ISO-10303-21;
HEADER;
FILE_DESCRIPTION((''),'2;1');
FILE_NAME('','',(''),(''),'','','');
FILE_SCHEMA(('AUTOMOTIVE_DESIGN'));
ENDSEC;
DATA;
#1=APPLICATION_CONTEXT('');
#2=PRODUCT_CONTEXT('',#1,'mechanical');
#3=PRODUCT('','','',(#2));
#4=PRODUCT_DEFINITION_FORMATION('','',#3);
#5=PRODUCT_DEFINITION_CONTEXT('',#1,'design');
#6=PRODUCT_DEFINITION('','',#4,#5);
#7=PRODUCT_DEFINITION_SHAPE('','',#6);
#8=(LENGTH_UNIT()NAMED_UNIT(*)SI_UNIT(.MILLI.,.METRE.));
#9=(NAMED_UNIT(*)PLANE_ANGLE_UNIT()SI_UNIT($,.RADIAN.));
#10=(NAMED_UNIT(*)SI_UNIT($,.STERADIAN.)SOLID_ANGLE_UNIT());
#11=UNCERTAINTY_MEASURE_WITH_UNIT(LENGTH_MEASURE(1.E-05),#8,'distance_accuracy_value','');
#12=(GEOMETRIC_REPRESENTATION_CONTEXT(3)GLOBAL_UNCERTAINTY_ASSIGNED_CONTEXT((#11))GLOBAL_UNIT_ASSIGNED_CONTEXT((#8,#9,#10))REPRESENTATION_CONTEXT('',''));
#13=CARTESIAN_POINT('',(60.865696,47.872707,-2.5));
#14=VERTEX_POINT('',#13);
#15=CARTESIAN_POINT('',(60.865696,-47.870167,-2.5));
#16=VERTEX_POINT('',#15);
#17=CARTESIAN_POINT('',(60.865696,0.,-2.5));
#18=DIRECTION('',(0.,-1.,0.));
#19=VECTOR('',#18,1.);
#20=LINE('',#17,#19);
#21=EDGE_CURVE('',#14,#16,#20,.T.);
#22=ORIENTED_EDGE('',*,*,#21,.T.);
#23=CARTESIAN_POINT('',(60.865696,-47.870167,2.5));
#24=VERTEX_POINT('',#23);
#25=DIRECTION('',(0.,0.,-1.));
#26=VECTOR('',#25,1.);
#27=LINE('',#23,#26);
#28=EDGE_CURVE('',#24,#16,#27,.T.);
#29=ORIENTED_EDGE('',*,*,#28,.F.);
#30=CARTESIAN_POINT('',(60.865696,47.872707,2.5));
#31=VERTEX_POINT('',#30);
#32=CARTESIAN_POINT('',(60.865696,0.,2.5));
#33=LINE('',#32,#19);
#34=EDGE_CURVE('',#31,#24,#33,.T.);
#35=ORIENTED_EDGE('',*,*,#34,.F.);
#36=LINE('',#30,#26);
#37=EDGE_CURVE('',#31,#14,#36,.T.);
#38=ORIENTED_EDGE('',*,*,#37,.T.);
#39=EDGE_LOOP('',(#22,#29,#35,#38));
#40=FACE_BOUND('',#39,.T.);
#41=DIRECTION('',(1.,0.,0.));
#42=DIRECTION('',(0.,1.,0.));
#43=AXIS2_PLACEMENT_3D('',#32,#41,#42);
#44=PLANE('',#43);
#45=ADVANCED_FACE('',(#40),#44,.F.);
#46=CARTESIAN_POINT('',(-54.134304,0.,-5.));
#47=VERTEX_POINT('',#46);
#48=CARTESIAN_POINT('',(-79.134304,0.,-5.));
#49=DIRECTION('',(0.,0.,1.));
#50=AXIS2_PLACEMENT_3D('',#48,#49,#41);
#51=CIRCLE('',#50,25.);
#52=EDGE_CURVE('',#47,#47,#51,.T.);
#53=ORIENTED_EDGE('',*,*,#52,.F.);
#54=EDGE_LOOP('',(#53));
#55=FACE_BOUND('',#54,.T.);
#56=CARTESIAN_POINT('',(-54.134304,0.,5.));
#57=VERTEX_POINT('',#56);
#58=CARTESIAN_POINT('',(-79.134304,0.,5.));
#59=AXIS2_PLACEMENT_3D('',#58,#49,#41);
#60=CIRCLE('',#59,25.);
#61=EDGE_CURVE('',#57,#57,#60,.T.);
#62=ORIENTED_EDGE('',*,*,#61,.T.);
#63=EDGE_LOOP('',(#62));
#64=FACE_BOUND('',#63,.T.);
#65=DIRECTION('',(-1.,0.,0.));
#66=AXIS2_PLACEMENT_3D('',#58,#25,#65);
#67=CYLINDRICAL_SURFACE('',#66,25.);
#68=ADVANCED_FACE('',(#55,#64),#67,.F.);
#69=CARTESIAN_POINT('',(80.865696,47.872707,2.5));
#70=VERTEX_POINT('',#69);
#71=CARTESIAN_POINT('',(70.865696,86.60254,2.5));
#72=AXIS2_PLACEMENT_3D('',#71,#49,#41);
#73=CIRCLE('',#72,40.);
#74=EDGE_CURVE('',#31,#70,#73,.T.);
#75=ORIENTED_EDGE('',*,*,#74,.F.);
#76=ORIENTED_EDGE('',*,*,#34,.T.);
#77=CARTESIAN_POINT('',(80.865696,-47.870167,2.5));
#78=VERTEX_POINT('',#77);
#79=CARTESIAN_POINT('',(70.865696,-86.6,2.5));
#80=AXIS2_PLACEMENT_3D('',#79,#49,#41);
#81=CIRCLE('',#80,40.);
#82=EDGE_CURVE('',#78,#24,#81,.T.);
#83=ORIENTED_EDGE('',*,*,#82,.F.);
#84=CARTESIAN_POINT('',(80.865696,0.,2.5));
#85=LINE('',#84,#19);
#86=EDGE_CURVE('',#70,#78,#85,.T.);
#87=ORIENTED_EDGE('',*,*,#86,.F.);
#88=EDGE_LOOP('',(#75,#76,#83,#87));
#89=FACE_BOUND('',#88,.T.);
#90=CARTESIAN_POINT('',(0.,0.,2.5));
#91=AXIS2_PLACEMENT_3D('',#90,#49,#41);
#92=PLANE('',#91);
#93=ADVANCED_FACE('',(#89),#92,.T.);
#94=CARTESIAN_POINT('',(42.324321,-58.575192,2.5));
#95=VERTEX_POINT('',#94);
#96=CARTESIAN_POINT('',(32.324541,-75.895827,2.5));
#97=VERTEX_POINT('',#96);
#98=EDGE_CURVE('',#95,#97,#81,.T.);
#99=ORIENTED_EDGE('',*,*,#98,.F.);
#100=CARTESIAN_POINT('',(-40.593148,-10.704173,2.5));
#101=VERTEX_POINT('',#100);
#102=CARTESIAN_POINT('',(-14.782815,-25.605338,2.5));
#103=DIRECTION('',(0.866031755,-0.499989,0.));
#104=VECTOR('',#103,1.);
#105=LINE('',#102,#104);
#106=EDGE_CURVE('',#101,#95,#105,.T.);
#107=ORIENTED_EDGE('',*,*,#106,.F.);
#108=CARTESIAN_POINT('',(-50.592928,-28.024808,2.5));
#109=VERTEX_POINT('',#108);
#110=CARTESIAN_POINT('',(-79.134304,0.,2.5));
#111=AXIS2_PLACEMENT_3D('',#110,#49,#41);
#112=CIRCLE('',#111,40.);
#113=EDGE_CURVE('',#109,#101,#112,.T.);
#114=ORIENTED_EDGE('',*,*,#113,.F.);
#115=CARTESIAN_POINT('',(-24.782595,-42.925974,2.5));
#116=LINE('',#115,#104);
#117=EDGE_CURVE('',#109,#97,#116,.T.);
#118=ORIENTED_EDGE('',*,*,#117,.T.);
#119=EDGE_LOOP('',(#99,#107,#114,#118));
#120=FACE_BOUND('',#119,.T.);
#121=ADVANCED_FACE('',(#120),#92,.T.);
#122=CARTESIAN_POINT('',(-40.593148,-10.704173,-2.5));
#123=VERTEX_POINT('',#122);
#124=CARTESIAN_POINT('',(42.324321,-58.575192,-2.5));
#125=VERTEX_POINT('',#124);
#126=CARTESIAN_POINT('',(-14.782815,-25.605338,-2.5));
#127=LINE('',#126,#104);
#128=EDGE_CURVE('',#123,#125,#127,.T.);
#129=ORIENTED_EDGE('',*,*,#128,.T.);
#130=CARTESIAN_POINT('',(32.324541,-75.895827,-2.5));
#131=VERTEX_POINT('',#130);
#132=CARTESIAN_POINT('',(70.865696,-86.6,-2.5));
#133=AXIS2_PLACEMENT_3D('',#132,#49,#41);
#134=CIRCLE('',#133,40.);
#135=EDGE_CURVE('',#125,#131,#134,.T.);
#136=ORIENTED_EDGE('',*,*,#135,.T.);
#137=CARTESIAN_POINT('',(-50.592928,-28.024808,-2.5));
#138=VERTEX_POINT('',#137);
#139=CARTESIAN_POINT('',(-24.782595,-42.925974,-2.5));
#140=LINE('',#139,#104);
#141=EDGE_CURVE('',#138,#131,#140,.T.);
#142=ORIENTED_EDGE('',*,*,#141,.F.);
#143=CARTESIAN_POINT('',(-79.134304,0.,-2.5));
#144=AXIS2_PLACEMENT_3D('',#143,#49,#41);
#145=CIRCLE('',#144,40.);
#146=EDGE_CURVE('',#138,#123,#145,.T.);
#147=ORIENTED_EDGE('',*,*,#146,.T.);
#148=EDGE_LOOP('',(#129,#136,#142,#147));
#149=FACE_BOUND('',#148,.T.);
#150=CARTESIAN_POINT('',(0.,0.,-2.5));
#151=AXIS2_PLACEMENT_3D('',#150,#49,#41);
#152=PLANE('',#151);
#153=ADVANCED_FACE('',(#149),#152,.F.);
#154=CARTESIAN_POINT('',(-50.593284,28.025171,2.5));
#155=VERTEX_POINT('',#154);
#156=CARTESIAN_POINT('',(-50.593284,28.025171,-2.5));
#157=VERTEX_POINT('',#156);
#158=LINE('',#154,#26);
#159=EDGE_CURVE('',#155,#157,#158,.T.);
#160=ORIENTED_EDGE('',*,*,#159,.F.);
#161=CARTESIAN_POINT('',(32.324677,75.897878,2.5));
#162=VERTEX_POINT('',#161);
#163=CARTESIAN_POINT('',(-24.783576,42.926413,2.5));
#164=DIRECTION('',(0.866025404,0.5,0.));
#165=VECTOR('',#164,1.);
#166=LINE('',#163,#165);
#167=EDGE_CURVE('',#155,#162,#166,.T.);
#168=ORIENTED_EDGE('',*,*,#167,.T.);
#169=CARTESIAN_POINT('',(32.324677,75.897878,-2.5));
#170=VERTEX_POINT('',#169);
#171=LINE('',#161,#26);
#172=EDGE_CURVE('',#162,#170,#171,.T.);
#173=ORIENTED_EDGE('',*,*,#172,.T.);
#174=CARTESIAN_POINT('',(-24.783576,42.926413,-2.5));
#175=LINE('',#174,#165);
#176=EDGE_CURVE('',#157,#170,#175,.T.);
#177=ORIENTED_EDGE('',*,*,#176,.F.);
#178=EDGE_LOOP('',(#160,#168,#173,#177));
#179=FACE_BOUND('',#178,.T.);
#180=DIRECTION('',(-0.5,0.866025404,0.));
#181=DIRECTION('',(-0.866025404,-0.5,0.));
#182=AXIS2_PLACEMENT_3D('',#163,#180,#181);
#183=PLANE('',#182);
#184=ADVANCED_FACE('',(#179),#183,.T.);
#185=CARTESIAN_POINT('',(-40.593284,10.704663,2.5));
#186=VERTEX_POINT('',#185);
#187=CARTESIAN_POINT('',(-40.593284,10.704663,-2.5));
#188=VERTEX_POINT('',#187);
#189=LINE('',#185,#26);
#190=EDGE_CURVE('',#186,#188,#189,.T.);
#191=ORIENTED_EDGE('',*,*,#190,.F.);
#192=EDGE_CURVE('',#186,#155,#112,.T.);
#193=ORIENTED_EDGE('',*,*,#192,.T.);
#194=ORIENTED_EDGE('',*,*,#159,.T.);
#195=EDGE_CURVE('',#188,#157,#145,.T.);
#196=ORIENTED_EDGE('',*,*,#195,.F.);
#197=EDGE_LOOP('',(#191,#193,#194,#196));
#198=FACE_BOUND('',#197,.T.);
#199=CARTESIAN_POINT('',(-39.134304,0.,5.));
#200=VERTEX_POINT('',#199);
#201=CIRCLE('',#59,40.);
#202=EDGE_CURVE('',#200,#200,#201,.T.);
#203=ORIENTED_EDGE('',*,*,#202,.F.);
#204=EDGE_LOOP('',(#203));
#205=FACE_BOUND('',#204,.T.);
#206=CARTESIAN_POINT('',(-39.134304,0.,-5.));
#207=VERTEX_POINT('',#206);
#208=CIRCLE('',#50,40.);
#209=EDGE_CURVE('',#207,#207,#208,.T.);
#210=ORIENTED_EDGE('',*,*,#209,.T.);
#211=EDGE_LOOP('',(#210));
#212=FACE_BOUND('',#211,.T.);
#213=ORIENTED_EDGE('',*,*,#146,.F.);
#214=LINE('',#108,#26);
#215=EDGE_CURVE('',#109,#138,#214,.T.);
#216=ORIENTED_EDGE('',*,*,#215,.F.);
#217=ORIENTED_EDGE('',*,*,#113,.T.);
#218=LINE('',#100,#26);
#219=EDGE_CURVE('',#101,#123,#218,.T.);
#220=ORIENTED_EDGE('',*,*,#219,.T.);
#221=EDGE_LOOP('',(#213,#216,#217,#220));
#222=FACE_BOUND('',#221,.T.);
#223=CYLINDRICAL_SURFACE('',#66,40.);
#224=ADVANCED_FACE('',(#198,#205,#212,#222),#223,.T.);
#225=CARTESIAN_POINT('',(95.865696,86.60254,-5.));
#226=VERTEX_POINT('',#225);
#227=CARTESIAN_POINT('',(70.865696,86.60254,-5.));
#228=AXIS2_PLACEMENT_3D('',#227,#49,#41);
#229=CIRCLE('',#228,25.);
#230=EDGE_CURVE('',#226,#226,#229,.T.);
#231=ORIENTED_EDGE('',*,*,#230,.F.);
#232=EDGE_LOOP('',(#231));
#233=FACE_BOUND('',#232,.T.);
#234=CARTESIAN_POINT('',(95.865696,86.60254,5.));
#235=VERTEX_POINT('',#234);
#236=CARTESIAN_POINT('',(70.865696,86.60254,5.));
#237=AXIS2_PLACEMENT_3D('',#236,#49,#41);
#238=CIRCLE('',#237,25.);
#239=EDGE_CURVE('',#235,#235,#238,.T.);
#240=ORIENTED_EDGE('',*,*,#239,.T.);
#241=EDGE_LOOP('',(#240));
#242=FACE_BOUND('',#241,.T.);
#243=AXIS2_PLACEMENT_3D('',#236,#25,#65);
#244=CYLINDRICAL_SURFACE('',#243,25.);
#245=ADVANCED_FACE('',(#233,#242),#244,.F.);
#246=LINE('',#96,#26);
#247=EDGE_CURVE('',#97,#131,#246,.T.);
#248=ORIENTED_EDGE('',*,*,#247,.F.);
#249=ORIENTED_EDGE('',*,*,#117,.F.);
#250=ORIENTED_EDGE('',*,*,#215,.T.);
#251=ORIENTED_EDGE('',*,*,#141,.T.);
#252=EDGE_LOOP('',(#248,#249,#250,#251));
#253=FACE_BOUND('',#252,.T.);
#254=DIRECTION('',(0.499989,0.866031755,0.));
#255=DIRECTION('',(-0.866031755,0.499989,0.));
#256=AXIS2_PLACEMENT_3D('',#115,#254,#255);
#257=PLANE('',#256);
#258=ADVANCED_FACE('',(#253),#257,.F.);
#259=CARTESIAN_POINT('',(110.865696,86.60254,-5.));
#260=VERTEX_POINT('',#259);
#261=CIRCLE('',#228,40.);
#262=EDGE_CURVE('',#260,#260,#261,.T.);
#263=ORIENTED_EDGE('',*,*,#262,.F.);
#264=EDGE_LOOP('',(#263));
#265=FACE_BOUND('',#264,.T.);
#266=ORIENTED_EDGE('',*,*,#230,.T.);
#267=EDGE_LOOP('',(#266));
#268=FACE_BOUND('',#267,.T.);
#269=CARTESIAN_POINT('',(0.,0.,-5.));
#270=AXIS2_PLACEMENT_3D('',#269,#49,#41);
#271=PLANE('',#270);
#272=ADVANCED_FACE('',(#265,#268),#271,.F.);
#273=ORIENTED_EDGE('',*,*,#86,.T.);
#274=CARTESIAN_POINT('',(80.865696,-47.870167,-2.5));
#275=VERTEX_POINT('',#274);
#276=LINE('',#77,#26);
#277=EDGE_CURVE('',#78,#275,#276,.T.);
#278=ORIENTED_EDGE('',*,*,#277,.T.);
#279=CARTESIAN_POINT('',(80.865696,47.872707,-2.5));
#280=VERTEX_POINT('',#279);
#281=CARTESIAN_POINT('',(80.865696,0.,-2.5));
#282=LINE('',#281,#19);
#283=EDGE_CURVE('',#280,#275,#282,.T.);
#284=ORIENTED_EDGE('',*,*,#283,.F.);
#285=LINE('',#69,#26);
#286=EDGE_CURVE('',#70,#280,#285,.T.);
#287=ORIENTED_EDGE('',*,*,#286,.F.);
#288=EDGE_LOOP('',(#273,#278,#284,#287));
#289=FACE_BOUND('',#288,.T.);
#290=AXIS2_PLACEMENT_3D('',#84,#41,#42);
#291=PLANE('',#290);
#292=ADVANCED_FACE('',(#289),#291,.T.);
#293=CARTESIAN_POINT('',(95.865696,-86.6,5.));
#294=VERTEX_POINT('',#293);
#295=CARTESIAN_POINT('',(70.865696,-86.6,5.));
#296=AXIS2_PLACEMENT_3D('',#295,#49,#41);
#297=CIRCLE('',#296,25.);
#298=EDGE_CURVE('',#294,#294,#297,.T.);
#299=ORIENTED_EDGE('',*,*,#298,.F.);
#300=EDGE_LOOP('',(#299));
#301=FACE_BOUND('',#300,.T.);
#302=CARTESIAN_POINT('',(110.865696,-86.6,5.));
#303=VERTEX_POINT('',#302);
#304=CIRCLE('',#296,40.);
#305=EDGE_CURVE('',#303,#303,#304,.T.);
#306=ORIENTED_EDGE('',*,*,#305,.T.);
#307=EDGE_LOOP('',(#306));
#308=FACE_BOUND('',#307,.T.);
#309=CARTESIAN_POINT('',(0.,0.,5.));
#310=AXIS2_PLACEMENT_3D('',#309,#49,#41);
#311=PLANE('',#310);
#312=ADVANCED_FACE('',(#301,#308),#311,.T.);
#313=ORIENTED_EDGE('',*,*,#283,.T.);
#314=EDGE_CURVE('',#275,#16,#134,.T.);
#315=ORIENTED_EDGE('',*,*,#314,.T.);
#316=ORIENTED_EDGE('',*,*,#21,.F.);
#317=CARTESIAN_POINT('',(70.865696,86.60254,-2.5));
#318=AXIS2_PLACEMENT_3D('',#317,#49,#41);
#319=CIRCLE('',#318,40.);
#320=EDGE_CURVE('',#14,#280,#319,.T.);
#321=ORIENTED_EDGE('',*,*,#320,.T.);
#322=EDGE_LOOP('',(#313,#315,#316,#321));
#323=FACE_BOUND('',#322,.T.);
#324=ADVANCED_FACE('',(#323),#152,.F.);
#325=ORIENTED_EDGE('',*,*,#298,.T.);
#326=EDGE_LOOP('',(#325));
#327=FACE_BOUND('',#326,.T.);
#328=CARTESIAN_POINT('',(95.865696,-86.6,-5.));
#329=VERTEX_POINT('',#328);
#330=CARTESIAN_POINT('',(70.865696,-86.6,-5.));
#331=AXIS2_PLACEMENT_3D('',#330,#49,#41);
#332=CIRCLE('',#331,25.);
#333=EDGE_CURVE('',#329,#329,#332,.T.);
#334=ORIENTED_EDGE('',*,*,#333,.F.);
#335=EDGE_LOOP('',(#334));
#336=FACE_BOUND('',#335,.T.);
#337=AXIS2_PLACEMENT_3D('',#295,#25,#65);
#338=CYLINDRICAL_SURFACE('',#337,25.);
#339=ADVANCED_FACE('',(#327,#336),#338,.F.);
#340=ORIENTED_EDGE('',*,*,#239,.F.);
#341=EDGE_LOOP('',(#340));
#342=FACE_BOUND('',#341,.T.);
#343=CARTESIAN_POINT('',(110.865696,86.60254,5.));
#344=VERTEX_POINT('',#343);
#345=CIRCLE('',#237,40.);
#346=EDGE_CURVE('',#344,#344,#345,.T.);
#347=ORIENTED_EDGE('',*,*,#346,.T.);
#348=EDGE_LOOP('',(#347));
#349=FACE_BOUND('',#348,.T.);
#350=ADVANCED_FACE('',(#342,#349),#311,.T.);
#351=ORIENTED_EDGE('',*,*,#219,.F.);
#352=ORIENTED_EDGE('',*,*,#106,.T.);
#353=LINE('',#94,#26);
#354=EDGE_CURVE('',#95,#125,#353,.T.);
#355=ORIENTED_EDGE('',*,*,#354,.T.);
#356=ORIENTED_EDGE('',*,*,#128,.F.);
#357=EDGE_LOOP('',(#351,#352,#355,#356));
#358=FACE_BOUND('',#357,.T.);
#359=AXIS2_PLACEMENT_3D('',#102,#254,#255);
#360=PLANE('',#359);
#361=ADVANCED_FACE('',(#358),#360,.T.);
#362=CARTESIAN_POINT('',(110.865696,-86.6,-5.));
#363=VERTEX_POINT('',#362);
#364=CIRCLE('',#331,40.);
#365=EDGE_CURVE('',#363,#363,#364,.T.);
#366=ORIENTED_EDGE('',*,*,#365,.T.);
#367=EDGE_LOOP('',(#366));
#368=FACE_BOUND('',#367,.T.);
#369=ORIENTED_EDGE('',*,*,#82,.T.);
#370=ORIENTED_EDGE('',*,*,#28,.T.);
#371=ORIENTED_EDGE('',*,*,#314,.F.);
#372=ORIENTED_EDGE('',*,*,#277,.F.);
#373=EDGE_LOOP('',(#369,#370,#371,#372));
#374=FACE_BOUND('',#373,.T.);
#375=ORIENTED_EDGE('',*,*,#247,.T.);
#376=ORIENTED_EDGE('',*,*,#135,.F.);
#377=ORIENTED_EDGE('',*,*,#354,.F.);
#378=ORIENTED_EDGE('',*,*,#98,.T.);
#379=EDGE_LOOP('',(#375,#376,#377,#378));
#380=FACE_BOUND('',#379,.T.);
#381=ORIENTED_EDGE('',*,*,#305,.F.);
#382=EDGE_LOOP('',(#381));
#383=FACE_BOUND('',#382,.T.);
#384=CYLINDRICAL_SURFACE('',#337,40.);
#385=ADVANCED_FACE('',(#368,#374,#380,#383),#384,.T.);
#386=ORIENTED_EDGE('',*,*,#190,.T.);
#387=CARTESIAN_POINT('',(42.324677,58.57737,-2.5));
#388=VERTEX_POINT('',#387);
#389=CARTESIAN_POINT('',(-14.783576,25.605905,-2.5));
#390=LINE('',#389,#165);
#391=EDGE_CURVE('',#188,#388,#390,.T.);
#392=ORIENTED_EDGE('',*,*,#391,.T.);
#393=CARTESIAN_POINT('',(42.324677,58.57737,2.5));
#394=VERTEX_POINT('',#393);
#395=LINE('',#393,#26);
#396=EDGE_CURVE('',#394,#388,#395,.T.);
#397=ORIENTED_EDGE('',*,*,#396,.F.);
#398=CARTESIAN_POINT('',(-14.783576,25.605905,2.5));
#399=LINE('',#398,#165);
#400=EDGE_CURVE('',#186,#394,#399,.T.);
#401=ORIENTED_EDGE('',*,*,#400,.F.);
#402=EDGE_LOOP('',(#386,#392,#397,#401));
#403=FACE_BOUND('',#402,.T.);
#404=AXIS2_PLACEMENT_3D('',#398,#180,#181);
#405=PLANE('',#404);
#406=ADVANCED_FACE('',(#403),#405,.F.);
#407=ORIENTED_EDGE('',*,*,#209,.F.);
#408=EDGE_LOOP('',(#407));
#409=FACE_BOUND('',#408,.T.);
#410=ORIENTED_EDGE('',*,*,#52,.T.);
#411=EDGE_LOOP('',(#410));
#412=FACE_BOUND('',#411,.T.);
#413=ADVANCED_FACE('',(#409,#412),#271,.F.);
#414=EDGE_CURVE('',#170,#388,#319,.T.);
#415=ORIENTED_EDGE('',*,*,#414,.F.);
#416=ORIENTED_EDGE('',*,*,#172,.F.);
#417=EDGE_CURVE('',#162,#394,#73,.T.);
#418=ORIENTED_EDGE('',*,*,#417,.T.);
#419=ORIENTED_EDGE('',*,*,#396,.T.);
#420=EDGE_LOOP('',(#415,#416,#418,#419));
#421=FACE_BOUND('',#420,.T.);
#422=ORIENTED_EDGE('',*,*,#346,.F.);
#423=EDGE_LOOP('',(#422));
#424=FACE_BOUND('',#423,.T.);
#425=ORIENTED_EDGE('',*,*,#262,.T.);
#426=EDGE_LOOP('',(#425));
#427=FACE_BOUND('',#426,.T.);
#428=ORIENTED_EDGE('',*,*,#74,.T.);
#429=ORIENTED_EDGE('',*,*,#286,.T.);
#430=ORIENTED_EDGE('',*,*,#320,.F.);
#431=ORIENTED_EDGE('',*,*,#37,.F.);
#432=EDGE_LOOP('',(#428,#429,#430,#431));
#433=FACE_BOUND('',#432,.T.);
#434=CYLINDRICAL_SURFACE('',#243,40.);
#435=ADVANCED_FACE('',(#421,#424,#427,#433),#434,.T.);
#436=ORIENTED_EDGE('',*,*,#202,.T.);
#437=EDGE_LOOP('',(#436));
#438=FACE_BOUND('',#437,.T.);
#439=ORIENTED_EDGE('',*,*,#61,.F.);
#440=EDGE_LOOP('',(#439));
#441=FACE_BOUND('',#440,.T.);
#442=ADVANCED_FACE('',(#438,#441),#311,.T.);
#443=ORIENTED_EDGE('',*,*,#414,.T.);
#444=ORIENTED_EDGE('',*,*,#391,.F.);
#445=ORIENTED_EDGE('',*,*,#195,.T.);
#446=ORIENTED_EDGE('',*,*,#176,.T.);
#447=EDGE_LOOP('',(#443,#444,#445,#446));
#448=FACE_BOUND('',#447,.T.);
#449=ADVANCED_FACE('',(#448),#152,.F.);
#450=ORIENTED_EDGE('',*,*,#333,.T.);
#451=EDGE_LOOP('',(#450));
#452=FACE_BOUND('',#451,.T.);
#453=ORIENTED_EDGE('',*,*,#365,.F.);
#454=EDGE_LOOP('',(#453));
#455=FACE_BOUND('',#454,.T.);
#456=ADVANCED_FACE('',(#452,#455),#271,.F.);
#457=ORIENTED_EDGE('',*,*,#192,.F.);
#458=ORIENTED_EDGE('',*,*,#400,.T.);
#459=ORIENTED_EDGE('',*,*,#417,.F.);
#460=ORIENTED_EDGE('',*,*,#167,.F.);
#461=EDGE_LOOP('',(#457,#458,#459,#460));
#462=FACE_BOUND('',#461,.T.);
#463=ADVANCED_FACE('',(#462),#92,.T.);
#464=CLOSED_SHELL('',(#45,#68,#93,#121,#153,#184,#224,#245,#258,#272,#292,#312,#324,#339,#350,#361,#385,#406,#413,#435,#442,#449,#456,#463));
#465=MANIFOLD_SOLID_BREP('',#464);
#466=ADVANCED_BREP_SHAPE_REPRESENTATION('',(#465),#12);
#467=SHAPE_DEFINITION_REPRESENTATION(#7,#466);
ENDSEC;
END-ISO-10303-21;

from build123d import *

# Parameters (mm, degrees)
BOSS_EXTRUDE1_DEPTH   = 2.5
BOSS_EXTRUDE1_2_DEPTH = 2.5
BOSS_EXTRUDE1_3_DEPTH = 2.5
SKETCH1_3_R           = 40
SKETCH1_3_R_2         = 25
BOSS_EXTRUDE2_DEPTH   = 5


with BuildPart() as part:
    # Sketch1 → Boss-Extrude1 (new, symmetric)
    with BuildSketch(Plane.XY):
        with BuildLine():
            Line((-40.593283957, 10.704662693), (42.324676718, 58.57736961))
            ThreePointArc((42.324676718, 58.57736961), (36.224680229, 66.602540378), (32.324676718, 75.897877685))
            Line((32.324676718, 75.897877685), (-50.593283957, 28.025170769))
            ThreePointArc((-50.593283957, 28.025170769), (-44.493287469, 20), (-40.593283957, 10.704662693))
        make_face()
    extrude(amount=BOSS_EXTRUDE1_DEPTH, both=True)



with BuildPart() as body_2:
    # Sketch1 → Boss-Extrude1 2 (new, symmetric)
    with BuildSketch(Plane.XY):
        with BuildLine():
            ThreePointArc((32.324540751, -75.895826853), (36.224426192, -66.600440011), (42.324320743, -58.575191763))
            Line((42.324320743, -58.575191763), (-40.593147991, -10.704173147))
            ThreePointArc((-40.593147991, -10.704173147), (-44.493033432, -19.999559989), (-50.592927983, -28.024808237))
            Line((-50.592927983, -28.024808237), (32.324540751, -75.895826853))
        make_face()
    extrude(amount=BOSS_EXTRUDE1_2_DEPTH, both=True)


with BuildPart() as body_3:
    # Sketch1 → Boss-Extrude1 3 (new, symmetric)
    with BuildSketch(Plane.XY):
        with BuildLine():
            ThreePointArc((80.86569638, 47.872706916), (70.86569638, 46.602540378), (60.86569638, 47.872706916))
            Line((60.86569638, 47.872706916), (60.86569638, -47.870166538))
            ThreePointArc((60.86569638, -47.870166538), (70.86569638, -46.6), (80.86569638, -47.870166538))
            Line((80.86569638, -47.870166538), (80.86569638, 47.872706916))
        make_face()
    extrude(amount=BOSS_EXTRUDE1_3_DEPTH, both=True)


with BuildPart() as part_1:
    add(part.part)

    add(body_2.part)  # Boss-Extrude2 merges body 2

    add(body_3.part)  # Boss-Extrude2 merges body 3
    # Sketch1<3> → Boss-Extrude2 (add, symmetric)
    # profile 1 of 3: a face of its own
    with BuildSketch(Plane.XY):
        with Locations((-79.13430362, 0)):
            Circle(SKETCH1_3_R)
        with Locations((-79.13430362, 0)):
            Circle(SKETCH1_3_R_2, mode=Mode.SUBTRACT)
    # profile 2 of 3: a face of its own
    with BuildSketch(Plane.XY):
        with Locations((70.86569638, 86.602540378)):
            Circle(SKETCH1_3_R)
        with Locations((70.86569638, 86.602540378)):
            Circle(SKETCH1_3_R_2, mode=Mode.SUBTRACT)
    # profile 3 of 3: a face of its own
    with BuildSketch(Plane.XY):
        with Locations((70.86569638, -86.6)):
            Circle(SKETCH1_3_R)
        with Locations((70.86569638, -86.6)):
            Circle(SKETCH1_3_R_2, mode=Mode.SUBTRACT)
    extrude(amount=BOSS_EXTRUDE2_DEPTH, both=True)


solid = part_1.part
